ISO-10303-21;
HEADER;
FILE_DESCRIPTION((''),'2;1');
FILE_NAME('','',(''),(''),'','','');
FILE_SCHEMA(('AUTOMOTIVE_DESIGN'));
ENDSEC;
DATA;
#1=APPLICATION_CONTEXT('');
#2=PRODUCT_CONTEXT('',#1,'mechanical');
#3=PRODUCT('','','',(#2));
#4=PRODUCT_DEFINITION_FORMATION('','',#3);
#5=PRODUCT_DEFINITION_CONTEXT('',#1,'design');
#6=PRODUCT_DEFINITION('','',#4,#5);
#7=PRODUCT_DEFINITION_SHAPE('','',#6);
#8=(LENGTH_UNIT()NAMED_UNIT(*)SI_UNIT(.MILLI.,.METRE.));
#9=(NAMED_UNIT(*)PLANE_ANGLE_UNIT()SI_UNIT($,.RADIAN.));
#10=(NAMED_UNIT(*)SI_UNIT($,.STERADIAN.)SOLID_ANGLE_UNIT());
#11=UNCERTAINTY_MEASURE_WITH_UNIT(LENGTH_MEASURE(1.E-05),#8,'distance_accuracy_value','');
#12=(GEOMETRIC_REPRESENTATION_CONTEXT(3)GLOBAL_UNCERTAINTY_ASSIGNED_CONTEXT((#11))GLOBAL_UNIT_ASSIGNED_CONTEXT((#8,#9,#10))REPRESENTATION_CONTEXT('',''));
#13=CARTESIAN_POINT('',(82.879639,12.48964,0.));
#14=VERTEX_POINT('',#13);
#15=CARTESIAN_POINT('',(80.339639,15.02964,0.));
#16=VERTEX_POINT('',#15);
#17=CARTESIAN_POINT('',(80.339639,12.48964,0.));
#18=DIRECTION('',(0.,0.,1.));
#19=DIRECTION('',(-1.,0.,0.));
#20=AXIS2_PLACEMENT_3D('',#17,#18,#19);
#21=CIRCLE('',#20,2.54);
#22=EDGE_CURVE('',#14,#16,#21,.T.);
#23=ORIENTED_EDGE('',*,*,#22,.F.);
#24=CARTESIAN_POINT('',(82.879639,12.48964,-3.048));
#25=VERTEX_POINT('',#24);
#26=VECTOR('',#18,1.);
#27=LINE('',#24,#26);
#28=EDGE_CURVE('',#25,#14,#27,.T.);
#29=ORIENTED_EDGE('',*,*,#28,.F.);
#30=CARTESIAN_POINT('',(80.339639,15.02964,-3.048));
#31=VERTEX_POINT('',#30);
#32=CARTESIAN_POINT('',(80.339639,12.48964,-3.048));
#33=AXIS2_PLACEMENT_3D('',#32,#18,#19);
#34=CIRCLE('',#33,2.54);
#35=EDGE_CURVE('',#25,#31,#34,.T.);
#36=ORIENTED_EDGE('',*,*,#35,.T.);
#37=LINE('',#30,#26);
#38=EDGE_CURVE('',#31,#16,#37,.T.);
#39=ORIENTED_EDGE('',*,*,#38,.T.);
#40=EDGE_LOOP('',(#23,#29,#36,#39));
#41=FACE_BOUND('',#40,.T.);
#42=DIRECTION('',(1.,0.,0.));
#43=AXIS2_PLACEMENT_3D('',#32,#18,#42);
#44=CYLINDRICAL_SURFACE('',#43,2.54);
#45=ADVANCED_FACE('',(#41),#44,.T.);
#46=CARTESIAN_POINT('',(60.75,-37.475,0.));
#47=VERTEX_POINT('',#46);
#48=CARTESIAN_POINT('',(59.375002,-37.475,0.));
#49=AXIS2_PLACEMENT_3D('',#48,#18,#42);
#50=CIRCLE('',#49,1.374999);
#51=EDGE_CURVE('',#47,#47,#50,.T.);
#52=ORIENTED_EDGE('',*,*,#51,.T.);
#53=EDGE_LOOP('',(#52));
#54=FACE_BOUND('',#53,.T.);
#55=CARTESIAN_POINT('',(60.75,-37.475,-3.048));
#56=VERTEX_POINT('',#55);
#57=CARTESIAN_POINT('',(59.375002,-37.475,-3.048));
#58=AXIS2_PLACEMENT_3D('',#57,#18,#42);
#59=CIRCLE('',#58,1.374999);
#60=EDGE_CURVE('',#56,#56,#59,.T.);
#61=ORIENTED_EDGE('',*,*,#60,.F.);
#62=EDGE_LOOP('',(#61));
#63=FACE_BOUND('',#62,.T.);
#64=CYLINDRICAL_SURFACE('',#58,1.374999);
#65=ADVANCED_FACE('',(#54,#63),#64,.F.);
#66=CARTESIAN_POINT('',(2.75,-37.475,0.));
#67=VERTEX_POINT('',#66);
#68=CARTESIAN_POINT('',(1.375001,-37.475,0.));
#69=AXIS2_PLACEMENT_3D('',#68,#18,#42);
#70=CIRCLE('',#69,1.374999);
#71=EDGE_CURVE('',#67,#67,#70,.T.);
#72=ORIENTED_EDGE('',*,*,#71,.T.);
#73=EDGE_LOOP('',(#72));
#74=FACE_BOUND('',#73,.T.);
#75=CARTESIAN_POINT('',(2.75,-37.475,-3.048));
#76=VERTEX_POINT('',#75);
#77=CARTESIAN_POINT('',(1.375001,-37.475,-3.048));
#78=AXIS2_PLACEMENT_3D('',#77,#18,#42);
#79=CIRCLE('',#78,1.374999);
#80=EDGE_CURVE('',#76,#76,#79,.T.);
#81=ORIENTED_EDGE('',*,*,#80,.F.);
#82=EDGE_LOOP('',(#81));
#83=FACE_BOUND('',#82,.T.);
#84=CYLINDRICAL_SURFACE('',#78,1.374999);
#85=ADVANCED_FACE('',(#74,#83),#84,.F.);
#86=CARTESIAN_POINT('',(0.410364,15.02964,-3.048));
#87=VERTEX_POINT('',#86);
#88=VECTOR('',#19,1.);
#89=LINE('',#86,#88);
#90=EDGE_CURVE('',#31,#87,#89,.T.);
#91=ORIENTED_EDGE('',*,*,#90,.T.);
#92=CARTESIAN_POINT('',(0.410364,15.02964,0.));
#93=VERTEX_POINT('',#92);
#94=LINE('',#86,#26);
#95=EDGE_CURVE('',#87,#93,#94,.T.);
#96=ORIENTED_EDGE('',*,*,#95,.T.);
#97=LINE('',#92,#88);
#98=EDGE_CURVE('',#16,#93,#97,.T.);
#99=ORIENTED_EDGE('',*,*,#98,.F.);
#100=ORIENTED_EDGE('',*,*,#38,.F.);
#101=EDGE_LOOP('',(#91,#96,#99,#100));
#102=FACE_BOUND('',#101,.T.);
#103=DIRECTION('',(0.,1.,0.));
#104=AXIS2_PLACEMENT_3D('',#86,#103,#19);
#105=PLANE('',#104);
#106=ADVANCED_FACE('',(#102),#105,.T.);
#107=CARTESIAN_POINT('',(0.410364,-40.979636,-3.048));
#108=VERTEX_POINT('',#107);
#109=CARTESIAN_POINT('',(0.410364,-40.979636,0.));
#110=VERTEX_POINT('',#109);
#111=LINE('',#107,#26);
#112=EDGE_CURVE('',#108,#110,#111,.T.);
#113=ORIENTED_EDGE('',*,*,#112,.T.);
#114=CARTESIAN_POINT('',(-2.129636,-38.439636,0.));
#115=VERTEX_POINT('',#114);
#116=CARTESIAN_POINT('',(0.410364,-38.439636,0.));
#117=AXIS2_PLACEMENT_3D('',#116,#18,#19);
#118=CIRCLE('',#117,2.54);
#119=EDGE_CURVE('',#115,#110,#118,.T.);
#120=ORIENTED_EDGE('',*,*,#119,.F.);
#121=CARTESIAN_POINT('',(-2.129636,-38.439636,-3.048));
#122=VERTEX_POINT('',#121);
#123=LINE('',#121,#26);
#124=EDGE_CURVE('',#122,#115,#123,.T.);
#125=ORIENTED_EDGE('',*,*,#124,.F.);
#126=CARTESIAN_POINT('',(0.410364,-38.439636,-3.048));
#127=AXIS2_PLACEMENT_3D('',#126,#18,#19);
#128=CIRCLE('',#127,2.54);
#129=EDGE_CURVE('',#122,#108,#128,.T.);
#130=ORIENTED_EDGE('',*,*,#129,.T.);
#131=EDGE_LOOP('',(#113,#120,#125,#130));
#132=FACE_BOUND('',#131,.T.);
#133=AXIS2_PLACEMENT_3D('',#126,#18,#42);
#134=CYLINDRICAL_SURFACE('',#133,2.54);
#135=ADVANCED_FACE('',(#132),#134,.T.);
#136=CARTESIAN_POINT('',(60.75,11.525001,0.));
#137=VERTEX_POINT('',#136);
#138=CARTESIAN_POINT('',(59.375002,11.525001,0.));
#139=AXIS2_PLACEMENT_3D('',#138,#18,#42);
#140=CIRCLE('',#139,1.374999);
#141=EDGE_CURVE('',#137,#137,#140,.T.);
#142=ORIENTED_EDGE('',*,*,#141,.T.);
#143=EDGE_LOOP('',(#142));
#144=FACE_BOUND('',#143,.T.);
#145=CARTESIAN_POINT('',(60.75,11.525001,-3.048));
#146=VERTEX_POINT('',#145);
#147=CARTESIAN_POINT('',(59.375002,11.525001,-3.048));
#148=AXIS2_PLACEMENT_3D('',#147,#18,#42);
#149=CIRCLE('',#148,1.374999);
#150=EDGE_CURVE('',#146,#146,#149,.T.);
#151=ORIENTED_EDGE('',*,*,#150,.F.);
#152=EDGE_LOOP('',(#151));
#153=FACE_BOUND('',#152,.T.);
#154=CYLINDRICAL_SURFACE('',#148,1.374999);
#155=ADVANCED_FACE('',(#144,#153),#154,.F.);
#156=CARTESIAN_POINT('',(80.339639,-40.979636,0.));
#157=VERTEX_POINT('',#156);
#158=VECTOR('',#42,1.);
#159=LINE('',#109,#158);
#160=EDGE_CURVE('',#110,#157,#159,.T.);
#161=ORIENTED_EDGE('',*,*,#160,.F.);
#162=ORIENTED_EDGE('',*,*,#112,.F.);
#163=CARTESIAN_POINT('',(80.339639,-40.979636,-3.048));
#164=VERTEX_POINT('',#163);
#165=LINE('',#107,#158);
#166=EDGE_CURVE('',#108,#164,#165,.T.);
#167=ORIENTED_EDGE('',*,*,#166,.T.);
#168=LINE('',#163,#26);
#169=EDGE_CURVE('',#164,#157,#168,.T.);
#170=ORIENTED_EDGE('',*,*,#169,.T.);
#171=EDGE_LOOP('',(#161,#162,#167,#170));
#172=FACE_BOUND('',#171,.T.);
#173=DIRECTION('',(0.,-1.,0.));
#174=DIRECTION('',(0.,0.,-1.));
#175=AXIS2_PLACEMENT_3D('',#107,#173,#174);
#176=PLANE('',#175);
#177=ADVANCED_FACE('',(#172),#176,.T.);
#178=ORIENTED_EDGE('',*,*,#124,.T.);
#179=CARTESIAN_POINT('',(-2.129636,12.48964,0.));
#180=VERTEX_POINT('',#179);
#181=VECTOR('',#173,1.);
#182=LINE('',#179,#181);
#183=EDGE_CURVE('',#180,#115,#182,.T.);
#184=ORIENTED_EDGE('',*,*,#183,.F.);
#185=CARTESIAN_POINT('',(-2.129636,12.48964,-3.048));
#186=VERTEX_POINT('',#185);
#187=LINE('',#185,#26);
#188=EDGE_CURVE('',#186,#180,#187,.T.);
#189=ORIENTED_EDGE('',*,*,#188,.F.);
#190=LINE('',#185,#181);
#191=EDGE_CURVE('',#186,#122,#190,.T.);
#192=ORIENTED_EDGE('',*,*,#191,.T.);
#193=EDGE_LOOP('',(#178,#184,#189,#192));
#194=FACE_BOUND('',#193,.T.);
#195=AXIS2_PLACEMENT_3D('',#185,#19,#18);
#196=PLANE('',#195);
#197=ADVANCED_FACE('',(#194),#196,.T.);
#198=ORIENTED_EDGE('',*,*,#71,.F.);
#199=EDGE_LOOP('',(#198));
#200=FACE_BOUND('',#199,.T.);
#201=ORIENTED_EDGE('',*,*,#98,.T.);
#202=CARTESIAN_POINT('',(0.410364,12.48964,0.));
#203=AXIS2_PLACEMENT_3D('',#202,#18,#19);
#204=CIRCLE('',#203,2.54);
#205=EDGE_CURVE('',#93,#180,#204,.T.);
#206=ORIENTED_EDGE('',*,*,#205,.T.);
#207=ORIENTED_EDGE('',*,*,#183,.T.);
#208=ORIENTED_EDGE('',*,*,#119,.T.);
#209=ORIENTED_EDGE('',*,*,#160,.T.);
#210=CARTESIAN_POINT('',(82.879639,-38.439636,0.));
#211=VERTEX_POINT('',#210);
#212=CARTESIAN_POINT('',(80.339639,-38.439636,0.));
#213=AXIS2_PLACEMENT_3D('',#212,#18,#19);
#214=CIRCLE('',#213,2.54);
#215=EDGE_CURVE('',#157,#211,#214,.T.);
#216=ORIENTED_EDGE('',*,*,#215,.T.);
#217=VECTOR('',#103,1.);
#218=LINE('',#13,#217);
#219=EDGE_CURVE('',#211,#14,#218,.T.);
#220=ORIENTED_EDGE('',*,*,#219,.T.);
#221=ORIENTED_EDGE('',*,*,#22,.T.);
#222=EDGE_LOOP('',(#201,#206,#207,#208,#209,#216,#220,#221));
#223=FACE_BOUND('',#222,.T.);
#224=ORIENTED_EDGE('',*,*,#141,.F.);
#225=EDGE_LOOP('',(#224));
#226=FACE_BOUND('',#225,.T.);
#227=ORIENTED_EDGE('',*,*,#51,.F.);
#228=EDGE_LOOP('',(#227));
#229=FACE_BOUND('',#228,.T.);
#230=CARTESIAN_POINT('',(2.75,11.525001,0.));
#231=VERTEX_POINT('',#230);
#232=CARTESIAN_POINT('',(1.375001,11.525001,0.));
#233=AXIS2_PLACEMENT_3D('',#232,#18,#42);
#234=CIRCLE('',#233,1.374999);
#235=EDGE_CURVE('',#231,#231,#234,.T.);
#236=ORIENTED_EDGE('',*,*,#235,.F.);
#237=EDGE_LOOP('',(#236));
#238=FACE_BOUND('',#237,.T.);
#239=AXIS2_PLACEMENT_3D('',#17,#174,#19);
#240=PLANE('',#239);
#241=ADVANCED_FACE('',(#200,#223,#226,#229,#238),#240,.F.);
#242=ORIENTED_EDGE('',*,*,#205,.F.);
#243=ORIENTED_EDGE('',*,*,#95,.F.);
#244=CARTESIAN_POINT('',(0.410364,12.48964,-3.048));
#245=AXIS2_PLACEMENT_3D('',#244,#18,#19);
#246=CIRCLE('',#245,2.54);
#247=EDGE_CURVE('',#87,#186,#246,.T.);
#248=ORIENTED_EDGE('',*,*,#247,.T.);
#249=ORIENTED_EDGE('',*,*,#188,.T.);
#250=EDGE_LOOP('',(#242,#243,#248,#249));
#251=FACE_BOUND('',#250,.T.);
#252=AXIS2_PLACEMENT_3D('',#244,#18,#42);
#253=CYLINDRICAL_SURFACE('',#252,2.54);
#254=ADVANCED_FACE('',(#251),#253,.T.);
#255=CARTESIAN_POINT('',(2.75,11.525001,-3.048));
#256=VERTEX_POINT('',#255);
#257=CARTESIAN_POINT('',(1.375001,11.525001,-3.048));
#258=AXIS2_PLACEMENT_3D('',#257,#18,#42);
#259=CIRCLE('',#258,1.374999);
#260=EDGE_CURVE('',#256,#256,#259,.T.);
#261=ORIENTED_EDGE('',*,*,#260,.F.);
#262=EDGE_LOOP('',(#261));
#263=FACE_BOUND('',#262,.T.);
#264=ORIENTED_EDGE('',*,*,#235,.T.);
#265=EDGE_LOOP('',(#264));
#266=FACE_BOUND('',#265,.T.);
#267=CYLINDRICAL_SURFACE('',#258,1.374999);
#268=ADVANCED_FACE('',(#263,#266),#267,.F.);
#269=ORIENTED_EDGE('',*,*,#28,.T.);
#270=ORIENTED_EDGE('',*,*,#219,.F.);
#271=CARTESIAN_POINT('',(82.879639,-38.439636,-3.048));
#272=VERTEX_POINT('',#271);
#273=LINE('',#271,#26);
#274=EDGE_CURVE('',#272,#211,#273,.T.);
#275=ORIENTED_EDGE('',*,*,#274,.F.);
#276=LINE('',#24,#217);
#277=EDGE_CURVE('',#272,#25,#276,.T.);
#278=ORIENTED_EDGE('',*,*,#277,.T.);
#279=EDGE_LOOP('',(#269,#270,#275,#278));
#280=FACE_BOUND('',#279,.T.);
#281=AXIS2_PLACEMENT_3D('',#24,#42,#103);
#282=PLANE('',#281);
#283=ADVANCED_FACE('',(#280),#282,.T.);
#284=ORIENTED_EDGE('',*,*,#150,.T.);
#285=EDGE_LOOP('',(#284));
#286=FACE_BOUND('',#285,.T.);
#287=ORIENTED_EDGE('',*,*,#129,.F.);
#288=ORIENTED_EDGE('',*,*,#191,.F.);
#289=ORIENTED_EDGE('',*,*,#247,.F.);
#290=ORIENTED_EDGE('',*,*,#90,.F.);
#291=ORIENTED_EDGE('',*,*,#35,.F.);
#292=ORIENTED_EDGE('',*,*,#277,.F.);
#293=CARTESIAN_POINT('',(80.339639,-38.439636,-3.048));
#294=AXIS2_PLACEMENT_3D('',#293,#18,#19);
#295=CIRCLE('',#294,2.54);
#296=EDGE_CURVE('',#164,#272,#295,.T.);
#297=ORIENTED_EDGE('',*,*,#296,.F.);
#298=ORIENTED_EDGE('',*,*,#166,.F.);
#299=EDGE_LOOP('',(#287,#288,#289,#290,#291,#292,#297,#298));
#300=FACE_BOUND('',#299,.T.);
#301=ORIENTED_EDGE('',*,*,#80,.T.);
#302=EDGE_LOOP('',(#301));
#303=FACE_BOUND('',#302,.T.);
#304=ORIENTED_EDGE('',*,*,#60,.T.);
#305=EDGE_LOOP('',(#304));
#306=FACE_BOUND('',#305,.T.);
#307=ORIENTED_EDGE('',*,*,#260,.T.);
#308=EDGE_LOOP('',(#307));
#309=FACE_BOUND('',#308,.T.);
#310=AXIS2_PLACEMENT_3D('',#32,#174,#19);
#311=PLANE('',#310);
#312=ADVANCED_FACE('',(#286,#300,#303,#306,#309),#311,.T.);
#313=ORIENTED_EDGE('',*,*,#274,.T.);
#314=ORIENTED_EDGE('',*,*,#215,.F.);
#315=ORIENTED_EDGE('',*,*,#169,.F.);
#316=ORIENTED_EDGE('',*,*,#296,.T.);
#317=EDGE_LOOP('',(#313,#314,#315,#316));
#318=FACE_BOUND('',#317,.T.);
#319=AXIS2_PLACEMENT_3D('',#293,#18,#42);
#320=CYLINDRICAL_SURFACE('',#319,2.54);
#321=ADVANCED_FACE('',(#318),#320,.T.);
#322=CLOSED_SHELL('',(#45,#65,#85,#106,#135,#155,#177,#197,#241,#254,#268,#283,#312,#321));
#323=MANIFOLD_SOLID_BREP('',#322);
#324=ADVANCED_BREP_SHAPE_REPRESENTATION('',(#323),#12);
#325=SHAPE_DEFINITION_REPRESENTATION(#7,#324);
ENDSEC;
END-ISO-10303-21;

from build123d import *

# Parameters (mm, degrees)
SKETCH1_R           = 1.37499852
BOSS_EXTRUDE1_DEPTH = 3.048


with BuildPart() as part:
    # Sketch1 → Boss-Extrude1 (new body)
    with BuildSketch(Plane.XY):
        with BuildLine():
            Line((0.41036367, 15.02963974), (80.33963866, 15.02963974))
            ThreePointArc((80.33963866, 15.02963974), (82.135689884, 14.285690964), (82.87963866, 12.48963974))
            Line((82.87963866, 12.48963974), (82.87963866, -38.4396361))
            ThreePointArc((82.87963866, -38.4396361), (82.135689884, -40.235687324), (80.33963866, -40.9796361))
            Line((80.33963866, -40.9796361), (0.41036367, -40.9796361))
            ThreePointArc((0.41036367, -40.9796361), (-1.385687554, -40.235687324), (-2.12963633, -38.4396361))
            Line((-2.12963633, -38.4396361), (-2.12963633, 12.48963974))
            ThreePointArc((-2.12963633, 12.48963974), (-1.385687554, 14.285690964), (0.41036367, 15.02963974))
        make_face()
        with Locations((1.37500106, 11.52500108)):
            Circle(SKETCH1_R, mode=Mode.SUBTRACT)
        with Locations((59.3750019, 11.52500108)):
            Circle(SKETCH1_R, mode=Mode.SUBTRACT)
        with Locations((59.3750019, -37.47499998)):
            Circle(SKETCH1_R, mode=Mode.SUBTRACT)
        with Locations((1.37500106, -37.47499998)):
            Circle(SKETCH1_R, mode=Mode.SUBTRACT)
    extrude(amount=-BOSS_EXTRUDE1_DEPTH)


solid = part.part
